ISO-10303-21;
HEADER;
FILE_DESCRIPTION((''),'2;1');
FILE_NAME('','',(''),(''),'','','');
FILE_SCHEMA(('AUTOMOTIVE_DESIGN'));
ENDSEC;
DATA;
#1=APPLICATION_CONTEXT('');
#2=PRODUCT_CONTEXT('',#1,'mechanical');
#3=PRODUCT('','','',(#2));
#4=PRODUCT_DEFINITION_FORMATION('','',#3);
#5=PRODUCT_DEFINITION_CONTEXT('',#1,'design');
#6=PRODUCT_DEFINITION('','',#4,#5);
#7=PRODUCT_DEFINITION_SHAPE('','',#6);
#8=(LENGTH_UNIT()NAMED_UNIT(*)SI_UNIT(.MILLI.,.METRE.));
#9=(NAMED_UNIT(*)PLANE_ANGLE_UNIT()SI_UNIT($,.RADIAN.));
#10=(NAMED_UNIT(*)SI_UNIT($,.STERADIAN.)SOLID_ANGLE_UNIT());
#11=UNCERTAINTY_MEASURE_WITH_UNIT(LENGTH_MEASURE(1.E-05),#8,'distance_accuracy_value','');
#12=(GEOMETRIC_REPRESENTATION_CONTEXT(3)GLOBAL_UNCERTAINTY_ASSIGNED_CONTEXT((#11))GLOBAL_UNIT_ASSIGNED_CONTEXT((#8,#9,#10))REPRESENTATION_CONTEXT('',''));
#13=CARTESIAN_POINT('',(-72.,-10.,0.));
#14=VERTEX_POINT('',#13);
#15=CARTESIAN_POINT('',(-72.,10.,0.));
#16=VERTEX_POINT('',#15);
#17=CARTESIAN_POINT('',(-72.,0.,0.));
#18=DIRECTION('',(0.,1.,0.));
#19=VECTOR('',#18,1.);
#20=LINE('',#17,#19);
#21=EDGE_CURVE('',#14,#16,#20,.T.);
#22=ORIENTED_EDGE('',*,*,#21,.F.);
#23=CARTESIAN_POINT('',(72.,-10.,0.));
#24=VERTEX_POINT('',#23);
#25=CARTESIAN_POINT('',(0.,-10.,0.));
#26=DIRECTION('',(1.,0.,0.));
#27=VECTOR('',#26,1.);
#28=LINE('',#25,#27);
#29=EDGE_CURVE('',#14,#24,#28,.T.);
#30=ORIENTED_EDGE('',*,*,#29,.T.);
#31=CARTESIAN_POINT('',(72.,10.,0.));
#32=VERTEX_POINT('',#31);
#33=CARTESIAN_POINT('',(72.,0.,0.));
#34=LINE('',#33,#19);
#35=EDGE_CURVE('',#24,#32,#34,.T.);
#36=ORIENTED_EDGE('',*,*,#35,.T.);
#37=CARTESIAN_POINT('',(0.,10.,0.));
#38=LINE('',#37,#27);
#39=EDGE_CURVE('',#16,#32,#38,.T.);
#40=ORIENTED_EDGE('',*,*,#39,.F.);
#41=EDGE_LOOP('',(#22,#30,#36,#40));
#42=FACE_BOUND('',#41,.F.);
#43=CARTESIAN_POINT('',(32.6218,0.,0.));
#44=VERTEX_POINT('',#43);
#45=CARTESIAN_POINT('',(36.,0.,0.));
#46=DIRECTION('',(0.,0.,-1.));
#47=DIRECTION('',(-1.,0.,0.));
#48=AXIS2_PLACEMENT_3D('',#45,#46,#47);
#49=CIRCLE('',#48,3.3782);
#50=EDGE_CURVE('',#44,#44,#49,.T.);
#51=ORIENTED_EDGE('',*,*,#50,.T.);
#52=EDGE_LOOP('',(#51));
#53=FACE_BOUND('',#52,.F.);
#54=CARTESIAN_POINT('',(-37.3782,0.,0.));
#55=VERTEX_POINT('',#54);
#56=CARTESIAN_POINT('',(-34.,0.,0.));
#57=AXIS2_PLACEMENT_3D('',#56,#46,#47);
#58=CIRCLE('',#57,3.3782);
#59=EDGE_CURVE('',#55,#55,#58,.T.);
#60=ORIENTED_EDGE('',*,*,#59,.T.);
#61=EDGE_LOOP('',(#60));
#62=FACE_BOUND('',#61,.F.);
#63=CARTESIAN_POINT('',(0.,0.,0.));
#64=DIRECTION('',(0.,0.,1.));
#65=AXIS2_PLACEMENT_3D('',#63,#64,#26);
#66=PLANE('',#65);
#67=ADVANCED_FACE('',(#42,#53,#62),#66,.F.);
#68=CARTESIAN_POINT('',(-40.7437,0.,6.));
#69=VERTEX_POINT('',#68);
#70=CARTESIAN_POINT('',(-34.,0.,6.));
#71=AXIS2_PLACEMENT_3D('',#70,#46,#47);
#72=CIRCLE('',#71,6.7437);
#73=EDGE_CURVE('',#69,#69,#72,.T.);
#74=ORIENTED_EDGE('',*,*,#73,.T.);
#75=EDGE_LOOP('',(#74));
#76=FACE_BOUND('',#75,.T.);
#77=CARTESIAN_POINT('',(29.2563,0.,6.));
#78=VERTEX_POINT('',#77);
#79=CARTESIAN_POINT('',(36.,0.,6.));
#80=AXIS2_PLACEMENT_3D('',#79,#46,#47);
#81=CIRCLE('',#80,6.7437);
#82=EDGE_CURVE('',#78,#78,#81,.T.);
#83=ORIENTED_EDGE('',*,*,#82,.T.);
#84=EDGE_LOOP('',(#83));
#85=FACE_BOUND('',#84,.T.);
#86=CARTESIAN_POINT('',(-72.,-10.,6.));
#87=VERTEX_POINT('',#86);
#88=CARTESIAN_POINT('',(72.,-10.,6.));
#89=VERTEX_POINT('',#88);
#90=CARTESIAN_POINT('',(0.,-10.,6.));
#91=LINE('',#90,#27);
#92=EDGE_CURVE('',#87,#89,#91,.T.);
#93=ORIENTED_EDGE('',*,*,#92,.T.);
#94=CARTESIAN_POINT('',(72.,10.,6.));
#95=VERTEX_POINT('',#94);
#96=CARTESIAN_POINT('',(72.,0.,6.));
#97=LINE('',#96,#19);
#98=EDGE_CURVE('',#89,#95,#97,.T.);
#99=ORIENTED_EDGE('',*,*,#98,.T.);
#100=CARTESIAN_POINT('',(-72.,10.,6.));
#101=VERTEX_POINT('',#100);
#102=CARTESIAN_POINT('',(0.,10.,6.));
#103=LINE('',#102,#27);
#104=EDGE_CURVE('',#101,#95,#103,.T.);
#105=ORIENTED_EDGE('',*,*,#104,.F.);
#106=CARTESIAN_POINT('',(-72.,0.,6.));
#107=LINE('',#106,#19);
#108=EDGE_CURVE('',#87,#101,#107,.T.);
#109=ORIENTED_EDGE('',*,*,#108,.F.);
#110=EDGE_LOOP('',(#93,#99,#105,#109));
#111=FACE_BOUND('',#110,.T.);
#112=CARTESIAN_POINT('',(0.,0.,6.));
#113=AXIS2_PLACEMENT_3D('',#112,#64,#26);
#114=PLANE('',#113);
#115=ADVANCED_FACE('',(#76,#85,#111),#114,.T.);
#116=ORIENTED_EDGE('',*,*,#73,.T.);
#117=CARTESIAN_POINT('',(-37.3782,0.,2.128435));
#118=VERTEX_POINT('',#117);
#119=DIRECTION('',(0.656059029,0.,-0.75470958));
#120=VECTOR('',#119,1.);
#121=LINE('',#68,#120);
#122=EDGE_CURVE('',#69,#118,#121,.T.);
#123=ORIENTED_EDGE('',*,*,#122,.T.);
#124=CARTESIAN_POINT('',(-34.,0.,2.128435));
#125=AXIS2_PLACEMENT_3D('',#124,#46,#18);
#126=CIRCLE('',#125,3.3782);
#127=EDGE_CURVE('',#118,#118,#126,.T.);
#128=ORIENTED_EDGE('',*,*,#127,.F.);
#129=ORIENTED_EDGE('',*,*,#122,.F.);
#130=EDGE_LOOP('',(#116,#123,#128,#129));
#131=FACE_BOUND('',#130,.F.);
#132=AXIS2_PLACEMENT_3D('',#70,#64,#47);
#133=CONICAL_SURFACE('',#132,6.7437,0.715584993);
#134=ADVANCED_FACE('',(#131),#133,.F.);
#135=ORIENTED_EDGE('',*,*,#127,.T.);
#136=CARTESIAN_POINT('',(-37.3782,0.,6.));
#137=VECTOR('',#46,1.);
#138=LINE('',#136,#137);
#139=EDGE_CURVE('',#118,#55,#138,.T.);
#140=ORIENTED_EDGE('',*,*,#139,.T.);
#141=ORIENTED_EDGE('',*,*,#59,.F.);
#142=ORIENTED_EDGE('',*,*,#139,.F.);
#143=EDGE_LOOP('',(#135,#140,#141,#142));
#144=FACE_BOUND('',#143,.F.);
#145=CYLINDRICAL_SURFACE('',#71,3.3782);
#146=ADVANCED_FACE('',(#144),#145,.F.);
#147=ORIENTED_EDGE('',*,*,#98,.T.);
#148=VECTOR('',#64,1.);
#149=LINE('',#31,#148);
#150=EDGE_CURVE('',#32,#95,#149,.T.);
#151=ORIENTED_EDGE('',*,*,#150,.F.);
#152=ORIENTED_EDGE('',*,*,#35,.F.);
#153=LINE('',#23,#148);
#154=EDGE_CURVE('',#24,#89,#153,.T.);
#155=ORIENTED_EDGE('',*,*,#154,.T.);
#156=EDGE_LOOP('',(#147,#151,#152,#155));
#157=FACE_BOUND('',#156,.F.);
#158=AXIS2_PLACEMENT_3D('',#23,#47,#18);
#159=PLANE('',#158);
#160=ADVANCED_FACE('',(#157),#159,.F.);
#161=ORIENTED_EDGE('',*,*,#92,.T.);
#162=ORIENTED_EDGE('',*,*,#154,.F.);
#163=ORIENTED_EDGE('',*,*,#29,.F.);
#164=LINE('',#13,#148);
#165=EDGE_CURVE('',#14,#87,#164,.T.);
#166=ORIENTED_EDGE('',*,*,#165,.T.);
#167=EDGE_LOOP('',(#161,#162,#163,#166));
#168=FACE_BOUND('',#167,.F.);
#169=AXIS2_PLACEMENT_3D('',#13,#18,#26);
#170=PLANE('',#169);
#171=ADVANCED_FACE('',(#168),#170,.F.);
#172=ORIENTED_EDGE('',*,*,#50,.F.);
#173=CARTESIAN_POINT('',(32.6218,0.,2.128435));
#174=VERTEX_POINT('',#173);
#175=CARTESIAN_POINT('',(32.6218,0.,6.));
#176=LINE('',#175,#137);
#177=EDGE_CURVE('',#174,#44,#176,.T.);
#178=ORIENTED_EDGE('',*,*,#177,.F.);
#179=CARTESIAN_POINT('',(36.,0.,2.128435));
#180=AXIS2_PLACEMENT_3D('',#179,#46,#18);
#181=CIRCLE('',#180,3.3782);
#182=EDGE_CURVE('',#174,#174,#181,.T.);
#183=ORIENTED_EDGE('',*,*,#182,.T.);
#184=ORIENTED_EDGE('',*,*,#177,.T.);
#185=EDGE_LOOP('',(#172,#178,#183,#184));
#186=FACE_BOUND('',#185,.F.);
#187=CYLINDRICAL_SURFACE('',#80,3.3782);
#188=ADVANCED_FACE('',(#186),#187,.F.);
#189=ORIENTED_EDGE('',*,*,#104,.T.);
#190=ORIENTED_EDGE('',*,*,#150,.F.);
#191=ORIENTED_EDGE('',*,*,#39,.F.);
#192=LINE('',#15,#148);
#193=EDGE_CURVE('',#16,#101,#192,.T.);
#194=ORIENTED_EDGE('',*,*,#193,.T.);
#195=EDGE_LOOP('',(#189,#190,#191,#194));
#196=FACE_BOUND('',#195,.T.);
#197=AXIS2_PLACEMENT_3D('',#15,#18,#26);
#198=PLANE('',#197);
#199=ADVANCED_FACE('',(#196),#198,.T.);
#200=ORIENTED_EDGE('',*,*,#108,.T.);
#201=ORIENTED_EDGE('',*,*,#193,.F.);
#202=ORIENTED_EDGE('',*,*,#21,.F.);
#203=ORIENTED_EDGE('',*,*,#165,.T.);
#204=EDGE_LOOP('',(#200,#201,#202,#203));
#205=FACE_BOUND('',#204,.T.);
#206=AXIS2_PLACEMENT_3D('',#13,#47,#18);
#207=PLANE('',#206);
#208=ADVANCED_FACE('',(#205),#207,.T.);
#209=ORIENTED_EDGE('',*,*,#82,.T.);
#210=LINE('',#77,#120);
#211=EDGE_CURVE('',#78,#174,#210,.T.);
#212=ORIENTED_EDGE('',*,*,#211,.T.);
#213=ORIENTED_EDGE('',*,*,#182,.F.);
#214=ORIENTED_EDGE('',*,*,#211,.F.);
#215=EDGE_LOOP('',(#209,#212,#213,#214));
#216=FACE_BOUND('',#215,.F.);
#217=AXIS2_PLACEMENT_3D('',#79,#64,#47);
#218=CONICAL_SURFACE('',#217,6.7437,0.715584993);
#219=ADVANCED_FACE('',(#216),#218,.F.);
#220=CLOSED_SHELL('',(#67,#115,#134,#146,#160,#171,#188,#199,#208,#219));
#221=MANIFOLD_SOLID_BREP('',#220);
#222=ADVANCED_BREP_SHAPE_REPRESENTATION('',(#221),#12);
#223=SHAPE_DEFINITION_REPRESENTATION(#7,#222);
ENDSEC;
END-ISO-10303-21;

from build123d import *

# Parameters (mm, degrees)
F0_W           = 144
F0_H           = 20
F1_DEPTH       = 6
F3_D           = 6.7564
F3_DEPTH       = 16.51
F3_CSINK_D     = 13.4874
F3_CSINK_ANGLE = 82


with BuildPart() as f1:
    # F0 (on Top) → F1 (new body)
    with BuildSketch(Plane.XY):
        Rectangle(F0_W, F0_H)
    extrude(amount=F1_DEPTH)

    # F3
    with Locations(Plane.XY.offset(6)):
        with Locations((-34, 0), (36, 0)):
            CounterSinkHole(F3_D / 2, F3_CSINK_D / 2, depth=F3_DEPTH, counter_sink_angle=F3_CSINK_ANGLE)


solid = f1.part
